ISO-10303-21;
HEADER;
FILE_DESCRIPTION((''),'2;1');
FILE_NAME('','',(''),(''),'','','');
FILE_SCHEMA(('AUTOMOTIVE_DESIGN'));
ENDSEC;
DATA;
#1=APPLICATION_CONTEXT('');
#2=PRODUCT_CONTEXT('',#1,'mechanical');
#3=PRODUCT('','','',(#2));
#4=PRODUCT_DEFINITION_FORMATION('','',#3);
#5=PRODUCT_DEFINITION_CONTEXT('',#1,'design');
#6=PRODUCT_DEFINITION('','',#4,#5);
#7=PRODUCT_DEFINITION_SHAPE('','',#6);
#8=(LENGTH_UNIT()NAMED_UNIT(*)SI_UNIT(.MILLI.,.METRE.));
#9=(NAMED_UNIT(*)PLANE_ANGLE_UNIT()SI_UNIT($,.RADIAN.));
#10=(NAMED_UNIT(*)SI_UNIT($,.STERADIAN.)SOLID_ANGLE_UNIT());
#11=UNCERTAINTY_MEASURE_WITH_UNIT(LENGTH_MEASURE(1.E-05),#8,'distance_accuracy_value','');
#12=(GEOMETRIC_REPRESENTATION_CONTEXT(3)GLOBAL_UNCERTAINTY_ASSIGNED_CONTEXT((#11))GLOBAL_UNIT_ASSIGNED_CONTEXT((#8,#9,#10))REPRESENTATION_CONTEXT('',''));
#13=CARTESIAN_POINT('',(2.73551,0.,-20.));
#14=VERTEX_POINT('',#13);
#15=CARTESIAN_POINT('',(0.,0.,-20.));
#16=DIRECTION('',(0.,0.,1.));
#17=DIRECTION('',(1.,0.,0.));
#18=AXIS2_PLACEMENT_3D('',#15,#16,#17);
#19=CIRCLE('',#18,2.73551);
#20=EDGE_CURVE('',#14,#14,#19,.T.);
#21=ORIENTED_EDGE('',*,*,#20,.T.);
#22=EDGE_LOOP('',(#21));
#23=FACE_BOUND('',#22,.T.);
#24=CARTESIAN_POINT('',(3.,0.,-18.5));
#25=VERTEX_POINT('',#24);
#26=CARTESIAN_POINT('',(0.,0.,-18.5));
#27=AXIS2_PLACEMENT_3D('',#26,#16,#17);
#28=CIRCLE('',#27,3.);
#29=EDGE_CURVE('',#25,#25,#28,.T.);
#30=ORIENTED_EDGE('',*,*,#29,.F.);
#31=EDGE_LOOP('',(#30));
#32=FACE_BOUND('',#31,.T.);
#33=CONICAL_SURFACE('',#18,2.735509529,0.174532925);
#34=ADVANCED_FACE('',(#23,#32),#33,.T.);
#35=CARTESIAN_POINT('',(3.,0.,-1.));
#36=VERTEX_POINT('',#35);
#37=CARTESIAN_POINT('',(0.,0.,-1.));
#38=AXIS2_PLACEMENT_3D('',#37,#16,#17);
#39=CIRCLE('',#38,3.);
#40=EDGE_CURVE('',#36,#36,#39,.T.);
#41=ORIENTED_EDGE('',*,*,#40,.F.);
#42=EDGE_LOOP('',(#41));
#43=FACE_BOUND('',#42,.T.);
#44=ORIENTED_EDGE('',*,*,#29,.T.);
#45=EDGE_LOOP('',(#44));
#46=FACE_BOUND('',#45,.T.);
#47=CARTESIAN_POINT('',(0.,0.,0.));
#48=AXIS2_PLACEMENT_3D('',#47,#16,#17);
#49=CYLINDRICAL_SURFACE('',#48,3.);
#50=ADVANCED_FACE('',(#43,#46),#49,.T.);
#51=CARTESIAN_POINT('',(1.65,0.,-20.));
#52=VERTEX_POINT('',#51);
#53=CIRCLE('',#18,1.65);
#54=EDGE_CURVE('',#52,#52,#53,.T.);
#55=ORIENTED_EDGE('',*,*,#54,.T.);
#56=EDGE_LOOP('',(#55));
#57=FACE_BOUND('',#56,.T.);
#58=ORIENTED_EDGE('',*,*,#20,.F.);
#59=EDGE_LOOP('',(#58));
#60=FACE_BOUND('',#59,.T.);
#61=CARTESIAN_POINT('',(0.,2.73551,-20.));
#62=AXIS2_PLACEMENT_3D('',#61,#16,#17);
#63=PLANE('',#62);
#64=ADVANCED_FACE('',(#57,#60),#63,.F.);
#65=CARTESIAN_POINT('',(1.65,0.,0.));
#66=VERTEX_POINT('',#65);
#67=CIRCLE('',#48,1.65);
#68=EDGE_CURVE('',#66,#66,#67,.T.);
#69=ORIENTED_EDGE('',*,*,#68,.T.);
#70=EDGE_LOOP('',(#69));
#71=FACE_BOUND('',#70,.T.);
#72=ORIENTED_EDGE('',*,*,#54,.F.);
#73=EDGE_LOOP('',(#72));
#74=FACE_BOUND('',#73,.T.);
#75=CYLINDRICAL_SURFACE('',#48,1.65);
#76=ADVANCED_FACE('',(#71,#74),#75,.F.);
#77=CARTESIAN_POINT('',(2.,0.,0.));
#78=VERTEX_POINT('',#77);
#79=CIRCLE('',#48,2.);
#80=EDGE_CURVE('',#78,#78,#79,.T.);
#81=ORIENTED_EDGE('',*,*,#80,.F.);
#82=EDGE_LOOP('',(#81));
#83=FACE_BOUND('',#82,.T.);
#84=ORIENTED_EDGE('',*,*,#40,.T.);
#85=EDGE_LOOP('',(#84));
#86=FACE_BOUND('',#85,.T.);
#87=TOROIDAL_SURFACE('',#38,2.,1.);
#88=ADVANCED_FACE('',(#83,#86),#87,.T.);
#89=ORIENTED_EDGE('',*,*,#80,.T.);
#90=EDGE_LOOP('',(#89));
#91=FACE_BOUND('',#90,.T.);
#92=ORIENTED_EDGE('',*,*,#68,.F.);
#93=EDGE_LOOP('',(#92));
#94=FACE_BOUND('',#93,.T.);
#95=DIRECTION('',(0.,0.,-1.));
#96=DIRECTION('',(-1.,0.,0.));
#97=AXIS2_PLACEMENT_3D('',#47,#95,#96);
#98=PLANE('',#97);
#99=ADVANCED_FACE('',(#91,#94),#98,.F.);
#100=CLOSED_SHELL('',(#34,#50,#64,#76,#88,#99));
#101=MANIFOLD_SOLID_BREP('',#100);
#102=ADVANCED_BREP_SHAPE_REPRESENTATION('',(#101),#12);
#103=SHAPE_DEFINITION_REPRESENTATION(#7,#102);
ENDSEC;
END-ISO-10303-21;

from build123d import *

# Parameters (mm, degrees)
HOLE_WIZARD_M4_1_D = 3.3


with BuildPart() as part:
    # ｽｹｯﾁ1 → 回転1 (revolve)
    with BuildSketch(Plane(origin=(0, 0, 0), x_dir=(0, 0, -1), z_dir=(1, 0, 0)), mode=Mode.PRIVATE) as revolve_1_sk:
        with BuildLine():
            Line((0, 0), (0, 2))
            ThreePointArc((0, 2), (0.292893219, 2.707106781), (1, 3))
            Line((1, 3), (18.5, 3))
            Line((18.5, 3), (20, 2.735509529))
            Line((20, 2.735509529), (20, 0))
            Line((20, 0), (0, 0))
        make_face()
    revolve(revolve_1_sk.sketch.rotate(Axis((0, 0, 0), (0, 0, -1)), 90), axis=Axis((0, 0, 0), (0, 0, -1)))

    # M4 ねじ穴1 (through all)
    with Locations(Plane.XY):
        with Locations((0, 0)):
            Hole(HOLE_WIZARD_M4_1_D / 2)


solid = part.part
